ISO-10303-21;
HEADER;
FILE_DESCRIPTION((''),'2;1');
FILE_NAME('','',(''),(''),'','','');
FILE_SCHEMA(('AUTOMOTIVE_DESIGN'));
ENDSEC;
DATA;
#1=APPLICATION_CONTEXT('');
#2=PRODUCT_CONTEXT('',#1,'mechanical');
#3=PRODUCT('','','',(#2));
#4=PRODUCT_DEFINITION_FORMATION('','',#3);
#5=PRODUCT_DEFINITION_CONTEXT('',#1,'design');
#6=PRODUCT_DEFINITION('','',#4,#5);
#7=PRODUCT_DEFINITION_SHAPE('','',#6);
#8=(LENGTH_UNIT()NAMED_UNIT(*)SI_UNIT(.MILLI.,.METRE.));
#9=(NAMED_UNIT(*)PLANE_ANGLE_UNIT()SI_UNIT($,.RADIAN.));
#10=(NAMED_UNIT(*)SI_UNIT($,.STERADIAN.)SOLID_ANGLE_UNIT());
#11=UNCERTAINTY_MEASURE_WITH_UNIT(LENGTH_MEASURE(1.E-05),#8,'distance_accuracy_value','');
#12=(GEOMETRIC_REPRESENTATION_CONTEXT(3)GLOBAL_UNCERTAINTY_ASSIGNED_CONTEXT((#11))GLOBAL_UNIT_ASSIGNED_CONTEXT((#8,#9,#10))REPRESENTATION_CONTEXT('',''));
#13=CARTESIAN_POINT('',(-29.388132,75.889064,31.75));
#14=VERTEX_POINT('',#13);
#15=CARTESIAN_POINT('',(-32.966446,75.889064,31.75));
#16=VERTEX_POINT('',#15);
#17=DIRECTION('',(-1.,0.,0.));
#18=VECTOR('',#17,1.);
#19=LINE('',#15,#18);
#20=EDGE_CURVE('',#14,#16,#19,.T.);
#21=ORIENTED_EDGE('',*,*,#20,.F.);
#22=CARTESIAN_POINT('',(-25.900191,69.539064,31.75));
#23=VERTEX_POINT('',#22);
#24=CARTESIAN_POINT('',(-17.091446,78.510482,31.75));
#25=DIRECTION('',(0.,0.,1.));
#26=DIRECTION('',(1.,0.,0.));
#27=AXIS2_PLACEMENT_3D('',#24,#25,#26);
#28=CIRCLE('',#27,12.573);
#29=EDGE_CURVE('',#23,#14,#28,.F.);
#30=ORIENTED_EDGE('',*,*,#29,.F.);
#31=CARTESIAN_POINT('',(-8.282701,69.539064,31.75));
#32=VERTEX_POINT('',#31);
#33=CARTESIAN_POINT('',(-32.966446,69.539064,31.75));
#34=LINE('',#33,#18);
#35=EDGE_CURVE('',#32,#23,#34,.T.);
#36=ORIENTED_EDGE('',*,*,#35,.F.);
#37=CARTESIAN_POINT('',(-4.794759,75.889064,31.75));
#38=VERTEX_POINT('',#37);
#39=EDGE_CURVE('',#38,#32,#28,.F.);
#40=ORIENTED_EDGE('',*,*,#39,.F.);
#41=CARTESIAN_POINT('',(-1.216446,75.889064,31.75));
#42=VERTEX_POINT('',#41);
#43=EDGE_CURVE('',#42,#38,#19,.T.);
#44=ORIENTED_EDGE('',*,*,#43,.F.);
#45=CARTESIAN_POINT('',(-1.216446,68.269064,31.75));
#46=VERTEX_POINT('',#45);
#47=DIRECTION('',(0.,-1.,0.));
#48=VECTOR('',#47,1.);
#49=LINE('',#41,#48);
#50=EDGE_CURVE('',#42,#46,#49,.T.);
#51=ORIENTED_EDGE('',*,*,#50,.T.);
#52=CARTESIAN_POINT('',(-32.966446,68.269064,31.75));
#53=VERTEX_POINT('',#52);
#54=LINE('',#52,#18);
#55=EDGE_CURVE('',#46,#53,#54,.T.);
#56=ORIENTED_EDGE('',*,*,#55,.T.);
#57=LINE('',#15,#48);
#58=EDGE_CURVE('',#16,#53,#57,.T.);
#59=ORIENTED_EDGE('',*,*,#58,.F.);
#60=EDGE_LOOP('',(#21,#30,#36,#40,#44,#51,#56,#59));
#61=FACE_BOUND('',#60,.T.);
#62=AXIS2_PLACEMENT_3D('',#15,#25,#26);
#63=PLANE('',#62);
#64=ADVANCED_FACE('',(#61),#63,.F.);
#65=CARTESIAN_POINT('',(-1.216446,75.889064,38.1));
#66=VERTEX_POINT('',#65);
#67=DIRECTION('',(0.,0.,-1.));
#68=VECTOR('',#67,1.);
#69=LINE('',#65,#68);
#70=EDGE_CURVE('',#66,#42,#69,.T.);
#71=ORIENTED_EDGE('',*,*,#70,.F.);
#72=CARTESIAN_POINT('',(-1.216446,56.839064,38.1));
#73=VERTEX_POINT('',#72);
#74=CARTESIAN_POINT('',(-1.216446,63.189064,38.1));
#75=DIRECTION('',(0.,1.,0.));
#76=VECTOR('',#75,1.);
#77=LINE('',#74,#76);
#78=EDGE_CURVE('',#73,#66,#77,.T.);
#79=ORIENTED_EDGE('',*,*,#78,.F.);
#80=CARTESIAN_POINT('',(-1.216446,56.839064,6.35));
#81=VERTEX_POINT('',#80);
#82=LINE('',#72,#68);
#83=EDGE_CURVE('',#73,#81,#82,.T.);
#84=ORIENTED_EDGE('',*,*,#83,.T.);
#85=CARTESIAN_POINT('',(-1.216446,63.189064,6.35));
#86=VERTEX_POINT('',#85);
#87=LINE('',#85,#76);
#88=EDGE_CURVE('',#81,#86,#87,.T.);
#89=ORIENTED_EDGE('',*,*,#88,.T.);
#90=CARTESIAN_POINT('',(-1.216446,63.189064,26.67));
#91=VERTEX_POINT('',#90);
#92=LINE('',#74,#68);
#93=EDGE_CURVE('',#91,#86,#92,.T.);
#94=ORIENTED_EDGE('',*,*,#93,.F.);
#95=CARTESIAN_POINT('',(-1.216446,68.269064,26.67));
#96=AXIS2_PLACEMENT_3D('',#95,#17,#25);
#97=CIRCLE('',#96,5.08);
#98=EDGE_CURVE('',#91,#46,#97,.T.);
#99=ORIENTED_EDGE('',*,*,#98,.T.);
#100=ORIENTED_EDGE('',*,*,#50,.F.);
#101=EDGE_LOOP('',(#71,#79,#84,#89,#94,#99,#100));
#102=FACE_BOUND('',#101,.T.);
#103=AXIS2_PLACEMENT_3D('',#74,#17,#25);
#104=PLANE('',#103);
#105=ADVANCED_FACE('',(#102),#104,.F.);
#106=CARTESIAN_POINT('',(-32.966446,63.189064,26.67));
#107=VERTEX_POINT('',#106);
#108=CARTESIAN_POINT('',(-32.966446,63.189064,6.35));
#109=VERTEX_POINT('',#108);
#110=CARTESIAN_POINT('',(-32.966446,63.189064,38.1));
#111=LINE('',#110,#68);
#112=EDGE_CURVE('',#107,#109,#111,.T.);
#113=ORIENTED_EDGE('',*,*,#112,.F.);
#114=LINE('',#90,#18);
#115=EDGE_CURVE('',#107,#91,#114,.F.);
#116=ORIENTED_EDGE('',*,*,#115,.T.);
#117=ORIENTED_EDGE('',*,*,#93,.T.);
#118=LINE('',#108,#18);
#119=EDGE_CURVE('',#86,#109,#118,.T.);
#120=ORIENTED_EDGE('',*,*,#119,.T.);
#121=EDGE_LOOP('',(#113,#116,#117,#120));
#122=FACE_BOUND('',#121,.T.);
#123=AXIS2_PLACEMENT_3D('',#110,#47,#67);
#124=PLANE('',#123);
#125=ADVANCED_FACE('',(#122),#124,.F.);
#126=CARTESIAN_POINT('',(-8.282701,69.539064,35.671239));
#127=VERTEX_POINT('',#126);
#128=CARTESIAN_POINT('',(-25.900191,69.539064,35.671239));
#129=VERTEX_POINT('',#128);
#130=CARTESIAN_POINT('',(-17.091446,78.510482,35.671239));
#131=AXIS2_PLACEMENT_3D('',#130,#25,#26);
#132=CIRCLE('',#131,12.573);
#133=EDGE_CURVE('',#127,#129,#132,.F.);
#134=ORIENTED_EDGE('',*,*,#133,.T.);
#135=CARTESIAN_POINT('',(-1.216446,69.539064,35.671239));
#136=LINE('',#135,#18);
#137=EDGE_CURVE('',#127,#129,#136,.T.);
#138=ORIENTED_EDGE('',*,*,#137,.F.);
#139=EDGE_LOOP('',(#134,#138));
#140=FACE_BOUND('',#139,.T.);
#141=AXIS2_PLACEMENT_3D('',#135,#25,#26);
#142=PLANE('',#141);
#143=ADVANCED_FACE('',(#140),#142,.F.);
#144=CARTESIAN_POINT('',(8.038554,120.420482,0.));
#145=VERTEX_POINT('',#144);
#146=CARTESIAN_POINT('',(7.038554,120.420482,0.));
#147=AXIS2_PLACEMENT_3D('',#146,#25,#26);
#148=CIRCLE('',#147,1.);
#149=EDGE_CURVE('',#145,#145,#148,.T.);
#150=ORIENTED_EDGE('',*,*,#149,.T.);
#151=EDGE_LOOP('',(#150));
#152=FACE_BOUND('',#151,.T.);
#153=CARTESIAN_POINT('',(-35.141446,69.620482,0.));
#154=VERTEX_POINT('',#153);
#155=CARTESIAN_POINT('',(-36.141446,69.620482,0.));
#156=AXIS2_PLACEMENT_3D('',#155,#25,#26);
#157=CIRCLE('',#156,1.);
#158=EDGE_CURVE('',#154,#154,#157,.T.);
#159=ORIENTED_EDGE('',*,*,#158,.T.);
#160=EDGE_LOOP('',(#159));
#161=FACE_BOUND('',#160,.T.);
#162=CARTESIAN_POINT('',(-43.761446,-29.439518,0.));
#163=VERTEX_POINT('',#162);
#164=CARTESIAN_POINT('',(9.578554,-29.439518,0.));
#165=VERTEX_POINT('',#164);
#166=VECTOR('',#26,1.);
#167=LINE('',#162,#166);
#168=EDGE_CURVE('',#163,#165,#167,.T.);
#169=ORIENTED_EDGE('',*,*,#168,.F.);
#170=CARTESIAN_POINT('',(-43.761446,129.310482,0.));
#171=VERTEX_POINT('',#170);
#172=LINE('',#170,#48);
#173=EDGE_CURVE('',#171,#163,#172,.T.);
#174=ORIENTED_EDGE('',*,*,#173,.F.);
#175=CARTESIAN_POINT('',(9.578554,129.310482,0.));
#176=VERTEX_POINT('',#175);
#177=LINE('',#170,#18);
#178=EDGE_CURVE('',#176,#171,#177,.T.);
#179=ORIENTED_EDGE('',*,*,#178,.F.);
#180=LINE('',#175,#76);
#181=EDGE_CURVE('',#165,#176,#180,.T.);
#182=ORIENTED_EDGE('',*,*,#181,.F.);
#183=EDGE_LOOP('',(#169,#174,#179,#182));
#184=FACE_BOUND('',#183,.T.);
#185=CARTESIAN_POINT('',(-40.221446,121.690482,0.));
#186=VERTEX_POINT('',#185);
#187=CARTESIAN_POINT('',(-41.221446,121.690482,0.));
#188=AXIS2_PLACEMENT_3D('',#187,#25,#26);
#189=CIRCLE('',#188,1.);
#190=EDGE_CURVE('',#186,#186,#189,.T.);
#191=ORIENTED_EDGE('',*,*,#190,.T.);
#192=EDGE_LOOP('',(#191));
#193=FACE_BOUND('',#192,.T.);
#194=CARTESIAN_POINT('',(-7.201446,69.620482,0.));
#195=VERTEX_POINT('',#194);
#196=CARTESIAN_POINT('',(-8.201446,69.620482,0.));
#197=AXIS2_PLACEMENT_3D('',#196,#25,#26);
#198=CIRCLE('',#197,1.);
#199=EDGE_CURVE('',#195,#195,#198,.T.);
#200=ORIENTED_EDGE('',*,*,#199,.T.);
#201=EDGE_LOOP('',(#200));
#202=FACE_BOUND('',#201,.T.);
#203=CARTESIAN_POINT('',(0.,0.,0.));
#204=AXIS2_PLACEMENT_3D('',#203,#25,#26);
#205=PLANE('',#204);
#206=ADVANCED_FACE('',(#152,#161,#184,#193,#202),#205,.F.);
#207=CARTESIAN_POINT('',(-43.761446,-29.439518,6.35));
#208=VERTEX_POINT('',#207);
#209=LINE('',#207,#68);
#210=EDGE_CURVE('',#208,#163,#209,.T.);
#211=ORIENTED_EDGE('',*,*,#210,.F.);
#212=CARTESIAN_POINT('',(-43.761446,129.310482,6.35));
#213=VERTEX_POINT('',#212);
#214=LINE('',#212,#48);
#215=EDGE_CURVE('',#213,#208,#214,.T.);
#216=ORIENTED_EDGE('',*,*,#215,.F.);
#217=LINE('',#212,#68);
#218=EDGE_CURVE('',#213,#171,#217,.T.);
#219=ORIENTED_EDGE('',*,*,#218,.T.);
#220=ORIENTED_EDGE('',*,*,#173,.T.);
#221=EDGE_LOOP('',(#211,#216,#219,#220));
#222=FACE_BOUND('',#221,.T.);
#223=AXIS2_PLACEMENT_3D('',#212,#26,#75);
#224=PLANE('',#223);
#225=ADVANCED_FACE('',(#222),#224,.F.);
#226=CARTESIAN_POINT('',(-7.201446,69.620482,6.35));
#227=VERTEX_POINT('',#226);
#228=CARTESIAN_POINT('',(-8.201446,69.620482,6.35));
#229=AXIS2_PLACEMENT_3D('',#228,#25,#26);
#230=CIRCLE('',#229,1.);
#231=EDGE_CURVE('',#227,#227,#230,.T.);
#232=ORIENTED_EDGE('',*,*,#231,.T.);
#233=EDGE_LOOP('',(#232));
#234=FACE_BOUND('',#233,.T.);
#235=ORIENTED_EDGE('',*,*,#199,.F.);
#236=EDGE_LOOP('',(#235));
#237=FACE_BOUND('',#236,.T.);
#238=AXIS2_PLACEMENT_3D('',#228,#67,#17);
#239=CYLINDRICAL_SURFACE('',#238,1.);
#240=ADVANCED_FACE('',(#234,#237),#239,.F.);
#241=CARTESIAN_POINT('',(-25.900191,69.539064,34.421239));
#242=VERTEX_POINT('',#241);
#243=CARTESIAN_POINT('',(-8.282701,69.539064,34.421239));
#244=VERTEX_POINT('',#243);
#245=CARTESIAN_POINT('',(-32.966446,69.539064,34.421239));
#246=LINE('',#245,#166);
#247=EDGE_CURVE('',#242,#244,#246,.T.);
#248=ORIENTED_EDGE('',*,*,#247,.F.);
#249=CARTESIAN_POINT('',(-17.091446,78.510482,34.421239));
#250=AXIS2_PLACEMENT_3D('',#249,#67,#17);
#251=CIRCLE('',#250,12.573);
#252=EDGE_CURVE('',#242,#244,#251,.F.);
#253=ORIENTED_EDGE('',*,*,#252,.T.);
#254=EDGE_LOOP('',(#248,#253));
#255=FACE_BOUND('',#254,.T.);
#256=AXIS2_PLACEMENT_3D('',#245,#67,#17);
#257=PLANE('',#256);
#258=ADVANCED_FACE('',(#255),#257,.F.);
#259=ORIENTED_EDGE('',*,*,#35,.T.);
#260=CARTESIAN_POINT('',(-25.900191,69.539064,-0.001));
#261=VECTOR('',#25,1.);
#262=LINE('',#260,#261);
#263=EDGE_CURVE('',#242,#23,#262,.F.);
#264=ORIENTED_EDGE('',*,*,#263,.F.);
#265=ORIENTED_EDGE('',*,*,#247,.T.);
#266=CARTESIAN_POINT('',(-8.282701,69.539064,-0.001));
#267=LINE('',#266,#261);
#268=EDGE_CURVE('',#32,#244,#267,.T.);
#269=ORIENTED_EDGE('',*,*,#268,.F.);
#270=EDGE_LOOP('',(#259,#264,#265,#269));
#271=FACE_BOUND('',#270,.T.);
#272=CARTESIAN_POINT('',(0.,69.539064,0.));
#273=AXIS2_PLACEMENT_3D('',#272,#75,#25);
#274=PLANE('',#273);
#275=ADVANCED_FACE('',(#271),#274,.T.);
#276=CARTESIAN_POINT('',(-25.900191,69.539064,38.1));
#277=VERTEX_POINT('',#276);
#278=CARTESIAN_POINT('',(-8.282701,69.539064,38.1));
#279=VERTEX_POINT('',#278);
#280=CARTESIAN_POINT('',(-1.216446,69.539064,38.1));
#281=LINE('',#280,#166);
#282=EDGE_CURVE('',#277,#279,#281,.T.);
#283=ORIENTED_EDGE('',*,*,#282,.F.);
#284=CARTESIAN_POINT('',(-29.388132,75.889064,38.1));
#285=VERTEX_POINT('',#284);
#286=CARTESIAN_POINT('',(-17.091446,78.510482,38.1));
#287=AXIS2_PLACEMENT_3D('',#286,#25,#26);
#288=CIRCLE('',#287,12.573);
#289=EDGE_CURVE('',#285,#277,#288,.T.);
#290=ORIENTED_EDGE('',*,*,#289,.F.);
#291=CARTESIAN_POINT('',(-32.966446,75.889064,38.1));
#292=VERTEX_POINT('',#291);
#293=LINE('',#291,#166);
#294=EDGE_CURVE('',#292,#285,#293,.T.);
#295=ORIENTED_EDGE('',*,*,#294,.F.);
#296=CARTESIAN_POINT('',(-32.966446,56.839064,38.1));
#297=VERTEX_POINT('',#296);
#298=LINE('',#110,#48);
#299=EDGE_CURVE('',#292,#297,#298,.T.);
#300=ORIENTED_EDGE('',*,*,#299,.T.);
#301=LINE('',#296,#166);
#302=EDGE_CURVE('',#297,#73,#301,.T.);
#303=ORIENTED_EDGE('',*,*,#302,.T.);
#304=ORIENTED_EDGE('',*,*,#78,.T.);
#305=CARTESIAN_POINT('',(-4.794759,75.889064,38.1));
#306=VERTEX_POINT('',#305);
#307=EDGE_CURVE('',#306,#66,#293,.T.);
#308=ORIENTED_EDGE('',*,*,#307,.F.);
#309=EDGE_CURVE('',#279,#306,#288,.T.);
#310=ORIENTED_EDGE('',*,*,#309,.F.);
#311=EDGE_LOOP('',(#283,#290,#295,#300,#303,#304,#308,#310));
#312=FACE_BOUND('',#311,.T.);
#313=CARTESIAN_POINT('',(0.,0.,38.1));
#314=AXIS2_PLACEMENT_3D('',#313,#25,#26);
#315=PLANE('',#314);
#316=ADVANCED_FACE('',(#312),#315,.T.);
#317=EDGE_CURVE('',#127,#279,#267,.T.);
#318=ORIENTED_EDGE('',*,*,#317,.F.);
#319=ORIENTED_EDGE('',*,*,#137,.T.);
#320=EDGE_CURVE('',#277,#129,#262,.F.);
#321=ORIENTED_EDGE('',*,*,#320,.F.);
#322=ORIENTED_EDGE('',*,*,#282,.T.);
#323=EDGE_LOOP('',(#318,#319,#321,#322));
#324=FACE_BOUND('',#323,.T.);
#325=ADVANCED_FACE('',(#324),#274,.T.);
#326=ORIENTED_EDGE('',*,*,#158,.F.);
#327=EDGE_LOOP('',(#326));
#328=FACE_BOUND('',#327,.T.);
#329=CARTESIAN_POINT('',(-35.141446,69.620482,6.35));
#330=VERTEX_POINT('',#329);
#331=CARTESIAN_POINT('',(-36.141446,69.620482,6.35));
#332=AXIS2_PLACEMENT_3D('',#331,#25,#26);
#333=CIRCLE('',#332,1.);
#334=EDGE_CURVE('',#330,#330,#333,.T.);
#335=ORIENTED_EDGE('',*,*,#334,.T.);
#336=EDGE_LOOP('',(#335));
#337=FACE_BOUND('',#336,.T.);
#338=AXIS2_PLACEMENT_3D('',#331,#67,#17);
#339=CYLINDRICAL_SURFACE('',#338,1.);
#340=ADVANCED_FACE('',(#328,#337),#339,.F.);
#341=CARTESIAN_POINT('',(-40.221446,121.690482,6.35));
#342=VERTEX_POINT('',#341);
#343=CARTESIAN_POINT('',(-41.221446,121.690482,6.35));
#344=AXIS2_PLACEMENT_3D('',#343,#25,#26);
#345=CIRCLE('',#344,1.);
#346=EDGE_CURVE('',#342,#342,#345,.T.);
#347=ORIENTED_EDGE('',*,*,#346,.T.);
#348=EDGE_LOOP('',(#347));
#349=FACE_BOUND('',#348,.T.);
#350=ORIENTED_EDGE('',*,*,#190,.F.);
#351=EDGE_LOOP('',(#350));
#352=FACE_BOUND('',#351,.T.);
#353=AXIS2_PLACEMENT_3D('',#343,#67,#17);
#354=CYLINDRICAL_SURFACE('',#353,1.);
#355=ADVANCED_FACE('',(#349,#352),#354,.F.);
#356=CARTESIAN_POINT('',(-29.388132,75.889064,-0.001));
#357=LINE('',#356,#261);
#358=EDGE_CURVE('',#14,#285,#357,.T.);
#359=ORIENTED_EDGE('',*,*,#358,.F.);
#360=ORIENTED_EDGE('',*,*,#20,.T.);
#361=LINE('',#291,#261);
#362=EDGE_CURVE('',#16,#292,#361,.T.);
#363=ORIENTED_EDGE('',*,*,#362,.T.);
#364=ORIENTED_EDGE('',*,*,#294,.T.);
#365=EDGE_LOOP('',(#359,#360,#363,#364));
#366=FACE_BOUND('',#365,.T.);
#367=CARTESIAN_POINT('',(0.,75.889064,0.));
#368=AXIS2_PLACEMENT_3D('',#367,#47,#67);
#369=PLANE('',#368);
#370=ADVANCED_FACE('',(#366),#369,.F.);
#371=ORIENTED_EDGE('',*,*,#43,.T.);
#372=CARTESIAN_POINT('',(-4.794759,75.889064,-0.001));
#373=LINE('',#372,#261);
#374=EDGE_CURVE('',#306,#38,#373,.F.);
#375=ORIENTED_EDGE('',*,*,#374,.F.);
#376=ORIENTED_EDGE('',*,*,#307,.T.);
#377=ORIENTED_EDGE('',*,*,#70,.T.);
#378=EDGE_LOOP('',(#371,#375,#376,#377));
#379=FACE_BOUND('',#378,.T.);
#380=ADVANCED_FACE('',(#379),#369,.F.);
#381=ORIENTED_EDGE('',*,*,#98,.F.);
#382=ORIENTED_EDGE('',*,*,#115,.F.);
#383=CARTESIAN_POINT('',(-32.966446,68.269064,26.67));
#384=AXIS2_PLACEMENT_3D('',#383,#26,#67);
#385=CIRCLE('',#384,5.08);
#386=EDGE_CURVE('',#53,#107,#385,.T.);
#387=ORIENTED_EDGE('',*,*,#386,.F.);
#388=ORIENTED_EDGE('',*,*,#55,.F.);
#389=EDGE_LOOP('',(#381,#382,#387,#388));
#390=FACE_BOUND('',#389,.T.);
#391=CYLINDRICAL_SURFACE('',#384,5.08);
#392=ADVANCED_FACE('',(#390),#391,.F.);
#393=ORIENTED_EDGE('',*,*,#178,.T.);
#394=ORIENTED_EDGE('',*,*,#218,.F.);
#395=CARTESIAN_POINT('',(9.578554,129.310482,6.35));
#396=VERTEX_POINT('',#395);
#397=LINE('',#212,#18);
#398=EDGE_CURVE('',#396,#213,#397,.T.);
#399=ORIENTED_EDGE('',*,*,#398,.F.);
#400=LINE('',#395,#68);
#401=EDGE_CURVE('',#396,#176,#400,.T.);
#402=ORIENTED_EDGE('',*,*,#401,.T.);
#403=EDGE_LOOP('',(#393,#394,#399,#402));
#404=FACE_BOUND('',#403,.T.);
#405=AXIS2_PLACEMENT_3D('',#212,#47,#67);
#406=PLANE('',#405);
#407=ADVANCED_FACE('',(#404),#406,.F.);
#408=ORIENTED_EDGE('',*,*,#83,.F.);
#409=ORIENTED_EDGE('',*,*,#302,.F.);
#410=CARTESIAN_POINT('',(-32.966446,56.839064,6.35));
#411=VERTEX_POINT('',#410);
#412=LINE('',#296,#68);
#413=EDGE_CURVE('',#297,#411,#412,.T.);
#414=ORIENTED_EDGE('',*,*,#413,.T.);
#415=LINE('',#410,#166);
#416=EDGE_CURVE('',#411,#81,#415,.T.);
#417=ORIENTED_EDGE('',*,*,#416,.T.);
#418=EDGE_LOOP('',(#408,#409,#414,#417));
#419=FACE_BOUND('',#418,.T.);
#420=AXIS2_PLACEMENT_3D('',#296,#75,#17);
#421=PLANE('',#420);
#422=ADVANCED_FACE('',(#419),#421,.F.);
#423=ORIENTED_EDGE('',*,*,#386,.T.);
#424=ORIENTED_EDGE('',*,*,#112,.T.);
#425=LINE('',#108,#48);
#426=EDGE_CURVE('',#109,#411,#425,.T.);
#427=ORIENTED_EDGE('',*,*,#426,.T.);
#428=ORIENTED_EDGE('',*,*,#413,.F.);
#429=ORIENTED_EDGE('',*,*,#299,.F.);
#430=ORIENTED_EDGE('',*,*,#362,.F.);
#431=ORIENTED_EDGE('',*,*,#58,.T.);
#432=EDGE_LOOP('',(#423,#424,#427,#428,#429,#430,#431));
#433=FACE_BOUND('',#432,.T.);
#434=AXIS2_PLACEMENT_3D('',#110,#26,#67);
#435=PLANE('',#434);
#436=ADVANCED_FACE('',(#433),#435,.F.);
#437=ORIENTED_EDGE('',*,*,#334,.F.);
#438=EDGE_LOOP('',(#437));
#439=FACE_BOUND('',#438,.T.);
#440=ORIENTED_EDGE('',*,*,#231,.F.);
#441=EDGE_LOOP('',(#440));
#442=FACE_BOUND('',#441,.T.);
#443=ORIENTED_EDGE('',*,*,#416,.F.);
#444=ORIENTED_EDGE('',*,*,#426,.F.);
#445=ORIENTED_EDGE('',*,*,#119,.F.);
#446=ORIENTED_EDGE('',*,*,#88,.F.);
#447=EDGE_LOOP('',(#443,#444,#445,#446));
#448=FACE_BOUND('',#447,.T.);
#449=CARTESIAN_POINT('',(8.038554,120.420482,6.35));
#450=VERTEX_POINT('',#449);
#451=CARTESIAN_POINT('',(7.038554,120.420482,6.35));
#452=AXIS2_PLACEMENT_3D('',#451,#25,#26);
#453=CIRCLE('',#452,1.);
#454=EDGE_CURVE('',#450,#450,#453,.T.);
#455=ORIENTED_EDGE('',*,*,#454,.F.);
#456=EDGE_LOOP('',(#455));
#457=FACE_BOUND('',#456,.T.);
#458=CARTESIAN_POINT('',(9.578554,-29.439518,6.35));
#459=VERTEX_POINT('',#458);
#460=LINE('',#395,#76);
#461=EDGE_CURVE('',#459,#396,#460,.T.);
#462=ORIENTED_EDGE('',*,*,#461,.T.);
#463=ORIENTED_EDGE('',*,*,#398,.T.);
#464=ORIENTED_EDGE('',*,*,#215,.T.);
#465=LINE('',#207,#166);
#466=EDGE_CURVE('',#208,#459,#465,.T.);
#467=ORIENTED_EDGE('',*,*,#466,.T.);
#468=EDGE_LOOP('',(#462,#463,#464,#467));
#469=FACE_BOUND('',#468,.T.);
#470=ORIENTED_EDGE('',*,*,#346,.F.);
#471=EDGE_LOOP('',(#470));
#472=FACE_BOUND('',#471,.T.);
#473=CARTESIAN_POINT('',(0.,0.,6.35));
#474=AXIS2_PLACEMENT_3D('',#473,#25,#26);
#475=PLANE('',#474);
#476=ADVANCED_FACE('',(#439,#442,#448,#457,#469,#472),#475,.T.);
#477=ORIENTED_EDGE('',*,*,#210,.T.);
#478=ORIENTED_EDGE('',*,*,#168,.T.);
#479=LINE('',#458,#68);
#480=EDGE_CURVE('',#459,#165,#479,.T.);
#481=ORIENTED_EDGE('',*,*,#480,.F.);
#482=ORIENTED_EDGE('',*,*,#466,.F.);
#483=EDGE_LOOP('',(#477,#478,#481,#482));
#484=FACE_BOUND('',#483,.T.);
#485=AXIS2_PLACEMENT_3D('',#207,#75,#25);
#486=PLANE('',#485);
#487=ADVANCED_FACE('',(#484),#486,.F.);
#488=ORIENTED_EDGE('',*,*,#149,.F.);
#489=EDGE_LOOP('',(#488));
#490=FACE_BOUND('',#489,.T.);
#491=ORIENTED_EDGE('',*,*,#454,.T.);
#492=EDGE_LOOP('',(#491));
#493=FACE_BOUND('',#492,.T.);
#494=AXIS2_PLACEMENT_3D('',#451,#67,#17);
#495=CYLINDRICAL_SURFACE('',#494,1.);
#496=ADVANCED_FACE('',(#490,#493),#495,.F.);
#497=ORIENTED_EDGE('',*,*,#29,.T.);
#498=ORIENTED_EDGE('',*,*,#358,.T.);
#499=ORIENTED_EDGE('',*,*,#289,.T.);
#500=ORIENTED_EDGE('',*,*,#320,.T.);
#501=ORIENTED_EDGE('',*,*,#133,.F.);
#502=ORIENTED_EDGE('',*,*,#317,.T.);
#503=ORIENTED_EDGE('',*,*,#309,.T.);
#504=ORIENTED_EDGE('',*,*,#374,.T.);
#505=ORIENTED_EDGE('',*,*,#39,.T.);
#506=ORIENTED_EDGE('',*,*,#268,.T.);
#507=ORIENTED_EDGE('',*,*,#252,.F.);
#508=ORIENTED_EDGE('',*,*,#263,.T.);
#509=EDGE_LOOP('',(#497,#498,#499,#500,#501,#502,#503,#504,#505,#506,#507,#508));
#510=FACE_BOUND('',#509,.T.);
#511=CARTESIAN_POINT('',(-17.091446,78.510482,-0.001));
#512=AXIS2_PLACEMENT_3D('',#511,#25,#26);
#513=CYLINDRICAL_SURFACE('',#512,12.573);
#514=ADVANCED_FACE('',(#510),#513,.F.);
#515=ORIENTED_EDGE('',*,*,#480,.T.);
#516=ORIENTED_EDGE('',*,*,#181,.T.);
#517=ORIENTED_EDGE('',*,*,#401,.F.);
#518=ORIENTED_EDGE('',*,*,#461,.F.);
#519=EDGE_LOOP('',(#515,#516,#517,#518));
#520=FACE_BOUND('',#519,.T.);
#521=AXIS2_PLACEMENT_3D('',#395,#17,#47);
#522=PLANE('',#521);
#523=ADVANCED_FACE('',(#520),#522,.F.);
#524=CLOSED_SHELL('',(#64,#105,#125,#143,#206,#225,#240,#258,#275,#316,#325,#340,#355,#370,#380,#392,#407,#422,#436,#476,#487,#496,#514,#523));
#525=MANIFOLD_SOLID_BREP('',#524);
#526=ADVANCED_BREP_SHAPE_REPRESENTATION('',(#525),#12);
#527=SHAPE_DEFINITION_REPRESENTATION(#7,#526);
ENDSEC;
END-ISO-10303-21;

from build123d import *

# Parameters (mm, degrees)
SKETCH1_W           = 53.34
SKETCH1_H           = 158.75
SKETCH1_R           = 1
BOSS_EXTRUDE1_DEPTH = 6.35
SKETCH2_W           = 31.75
SKETCH2_H           = 6.35
BOSS_EXTRUDE2_DEPTH = 31.75
SKETCH3_W           = 31.75
SKETCH3_H           = 6.35
BOSS_EXTRUDE3_DEPTH = 12.7
CUT_EXTRUDE1_REACH  = 143.732
SKETCH4_R           = 12.573
SKETCH5_W           = 31.75
SKETCH5_H           = 2.671239047
SKETCH5_H_2         = 2.428760953
BOSS_EXTRUDE4_DEPTH = 6.35
FILLET1_R           = 5.08


with BuildPart() as part:
    # Sketch1 → Boss-Extrude1 (new body)
    with BuildSketch(Plane.XY):
        with Locations((-17.091445783, 49.935481928)):
            Rectangle(SKETCH1_W, SKETCH1_H)
        with Locations((-36.141445783, 69.620481928)):
            Circle(SKETCH1_R, mode=Mode.SUBTRACT)
        with Locations((-8.201445783, 69.620481928)):
            Circle(SKETCH1_R, mode=Mode.SUBTRACT)
        with Locations((-41.221445783, 121.690481928)):
            Circle(SKETCH1_R, mode=Mode.SUBTRACT)
        with Locations((7.038554217, 120.420481928)):
            Circle(SKETCH1_R, mode=Mode.SUBTRACT)
    extrude(amount=BOSS_EXTRUDE1_DEPTH)

    # Sketch2 → Boss-Extrude2 (add)
    with BuildSketch(Plane.XY.offset(6.35)):
        with Locations((-17.091445783, 60.014063864)):
            Rectangle(SKETCH2_W, SKETCH2_H)
    extrude(amount=BOSS_EXTRUDE2_DEPTH)

    # Sketch3 → Boss-Extrude3 (add)
    with BuildSketch(Plane(origin=(0, 63.189063864, 0), x_dir=(1, 0, 0), z_dir=(0, 1, 0))):
        with Locations((-17.091445783, -34.925)):
            Rectangle(SKETCH3_W, SKETCH3_H)
    extrude(amount=BOSS_EXTRUDE3_DEPTH)

    # Sketch4 → Cut-Extrude1 (cut, up to next)
    with BuildSketch(Plane.XY.offset(38.1), mode=Mode.PRIVATE) as cut_extrude1_sk1:
        with Locations((-17.091445783, 78.510481928)):
            Circle(SKETCH4_R)
    cut_extrude1_tool1 = extrude(cut_extrude1_sk1.sketch, amount=-CUT_EXTRUDE1_REACH, mode=Mode.PRIVATE) & part.part
    add(cut_extrude1_tool1.solids().sort_by_distance((-17.091446, 78.510482, 38.1))[0], mode=Mode.SUBTRACT)

    # Sketch5 → Boss-Extrude4 (add)
    with BuildSketch(Plane(origin=(0, 63.189063864, 0), x_dir=(1, 0, 0), z_dir=(0, 1, 0))):
        with Locations((-17.091445783, -33.085619524)):
            Rectangle(SKETCH5_W, SKETCH5_H)
        with Locations((-17.091445783, -36.885619523)):
            Rectangle(SKETCH5_W, SKETCH5_H_2)
    extrude(amount=BOSS_EXTRUDE4_DEPTH)

    # Fillet1
    fillet1_edges = [part.edges().sort_by_distance(p)[0] for p in [
        (-17.091445783, 63.189063864, 31.75),
    ]]
    fillet(fillet1_edges, radius=FILLET1_R)


solid = part.part
